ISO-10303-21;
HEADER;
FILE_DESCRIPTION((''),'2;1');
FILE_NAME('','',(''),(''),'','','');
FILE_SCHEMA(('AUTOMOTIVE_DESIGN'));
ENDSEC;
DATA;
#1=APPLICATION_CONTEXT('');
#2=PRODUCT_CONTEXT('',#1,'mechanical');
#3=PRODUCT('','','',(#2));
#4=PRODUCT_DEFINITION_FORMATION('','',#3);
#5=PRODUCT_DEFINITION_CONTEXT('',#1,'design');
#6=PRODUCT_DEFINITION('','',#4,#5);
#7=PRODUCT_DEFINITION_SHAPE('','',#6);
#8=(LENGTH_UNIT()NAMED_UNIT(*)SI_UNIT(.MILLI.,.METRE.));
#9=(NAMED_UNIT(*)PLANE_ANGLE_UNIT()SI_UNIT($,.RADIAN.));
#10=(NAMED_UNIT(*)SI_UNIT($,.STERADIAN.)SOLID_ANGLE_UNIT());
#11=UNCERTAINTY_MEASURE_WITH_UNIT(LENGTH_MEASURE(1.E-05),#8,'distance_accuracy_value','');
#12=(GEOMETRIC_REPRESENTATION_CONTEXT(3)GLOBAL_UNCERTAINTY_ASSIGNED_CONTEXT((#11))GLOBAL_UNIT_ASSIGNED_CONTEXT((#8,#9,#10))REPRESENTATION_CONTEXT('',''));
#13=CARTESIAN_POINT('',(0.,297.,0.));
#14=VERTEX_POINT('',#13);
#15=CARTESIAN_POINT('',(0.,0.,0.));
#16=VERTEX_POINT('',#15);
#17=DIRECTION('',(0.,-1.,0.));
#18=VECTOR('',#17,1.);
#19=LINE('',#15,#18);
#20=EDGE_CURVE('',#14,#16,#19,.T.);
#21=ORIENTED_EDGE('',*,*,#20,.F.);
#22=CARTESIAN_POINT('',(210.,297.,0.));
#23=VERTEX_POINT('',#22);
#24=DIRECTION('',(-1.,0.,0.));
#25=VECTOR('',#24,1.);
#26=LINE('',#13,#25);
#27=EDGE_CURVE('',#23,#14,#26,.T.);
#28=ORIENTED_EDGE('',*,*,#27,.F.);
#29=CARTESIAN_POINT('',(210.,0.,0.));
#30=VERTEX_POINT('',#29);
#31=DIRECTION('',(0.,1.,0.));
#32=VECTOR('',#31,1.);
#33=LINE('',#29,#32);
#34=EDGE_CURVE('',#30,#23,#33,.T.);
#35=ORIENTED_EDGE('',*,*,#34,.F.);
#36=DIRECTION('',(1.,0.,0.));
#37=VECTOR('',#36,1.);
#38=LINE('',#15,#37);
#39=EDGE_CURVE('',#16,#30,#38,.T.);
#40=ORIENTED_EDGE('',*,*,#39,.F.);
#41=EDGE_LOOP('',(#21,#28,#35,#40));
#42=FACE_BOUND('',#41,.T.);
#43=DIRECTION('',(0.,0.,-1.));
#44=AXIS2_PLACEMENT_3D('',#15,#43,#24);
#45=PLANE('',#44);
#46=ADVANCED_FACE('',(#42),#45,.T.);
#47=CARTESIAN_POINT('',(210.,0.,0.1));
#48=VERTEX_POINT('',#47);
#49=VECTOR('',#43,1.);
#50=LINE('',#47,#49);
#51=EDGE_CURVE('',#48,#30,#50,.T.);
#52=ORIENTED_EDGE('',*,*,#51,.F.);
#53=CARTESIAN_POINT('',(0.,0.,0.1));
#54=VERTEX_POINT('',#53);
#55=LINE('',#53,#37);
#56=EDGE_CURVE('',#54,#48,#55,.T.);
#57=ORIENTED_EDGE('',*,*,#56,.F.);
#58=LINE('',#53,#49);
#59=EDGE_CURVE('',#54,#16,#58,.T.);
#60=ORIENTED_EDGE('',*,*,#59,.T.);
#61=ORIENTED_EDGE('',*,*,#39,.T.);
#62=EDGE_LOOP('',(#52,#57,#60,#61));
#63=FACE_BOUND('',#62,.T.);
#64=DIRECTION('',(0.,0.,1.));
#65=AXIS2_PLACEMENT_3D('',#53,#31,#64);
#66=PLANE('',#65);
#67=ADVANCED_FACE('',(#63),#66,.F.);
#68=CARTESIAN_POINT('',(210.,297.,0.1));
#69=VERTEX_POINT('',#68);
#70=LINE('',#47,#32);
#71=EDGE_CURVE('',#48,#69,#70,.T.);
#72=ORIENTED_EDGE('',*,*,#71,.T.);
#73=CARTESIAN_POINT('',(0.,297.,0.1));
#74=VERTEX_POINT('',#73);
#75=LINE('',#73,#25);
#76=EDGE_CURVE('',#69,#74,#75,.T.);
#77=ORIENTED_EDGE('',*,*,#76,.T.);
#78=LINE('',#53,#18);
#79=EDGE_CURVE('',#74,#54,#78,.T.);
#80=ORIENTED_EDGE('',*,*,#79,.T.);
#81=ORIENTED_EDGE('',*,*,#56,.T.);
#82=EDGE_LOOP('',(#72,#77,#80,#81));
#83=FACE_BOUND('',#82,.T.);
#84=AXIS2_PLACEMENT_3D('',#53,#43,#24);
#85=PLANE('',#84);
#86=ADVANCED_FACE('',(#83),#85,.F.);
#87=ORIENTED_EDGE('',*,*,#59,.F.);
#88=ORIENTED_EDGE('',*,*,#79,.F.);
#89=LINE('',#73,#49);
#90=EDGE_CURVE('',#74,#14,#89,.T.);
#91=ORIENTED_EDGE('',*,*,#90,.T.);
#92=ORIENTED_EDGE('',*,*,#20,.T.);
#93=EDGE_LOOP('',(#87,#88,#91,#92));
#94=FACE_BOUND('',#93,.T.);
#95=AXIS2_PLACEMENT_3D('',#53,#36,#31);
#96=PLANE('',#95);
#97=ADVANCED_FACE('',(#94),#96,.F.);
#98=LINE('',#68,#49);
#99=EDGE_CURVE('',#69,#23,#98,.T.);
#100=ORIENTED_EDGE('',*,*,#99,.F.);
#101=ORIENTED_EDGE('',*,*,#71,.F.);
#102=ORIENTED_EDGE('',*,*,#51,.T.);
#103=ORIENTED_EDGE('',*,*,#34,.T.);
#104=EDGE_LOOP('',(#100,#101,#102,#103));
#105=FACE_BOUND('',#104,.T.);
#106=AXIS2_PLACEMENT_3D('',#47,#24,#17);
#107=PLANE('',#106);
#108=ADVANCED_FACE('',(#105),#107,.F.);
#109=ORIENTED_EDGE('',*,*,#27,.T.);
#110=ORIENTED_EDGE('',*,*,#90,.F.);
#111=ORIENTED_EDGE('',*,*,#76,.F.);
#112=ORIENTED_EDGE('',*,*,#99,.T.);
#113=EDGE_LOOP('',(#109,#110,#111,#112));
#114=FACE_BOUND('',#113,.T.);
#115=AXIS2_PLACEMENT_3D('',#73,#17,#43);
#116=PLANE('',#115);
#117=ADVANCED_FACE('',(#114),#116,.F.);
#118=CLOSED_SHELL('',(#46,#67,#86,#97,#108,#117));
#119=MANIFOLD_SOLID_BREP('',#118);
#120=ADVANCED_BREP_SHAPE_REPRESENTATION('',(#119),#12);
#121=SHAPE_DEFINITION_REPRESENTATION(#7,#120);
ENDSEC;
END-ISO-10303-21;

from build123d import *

# Parameters (mm, degrees)
SKETCH1_W           = 210
SKETCH1_H           = 297
BOSS_EXTRUDE1_DEPTH = 0.1


with BuildPart() as part:
    # Sketch1 → Boss-Extrude1 (new body)
    with BuildSketch(Plane.XY):
        with Locations((105, 148.5)):
            Rectangle(SKETCH1_W, SKETCH1_H)
    extrude(amount=BOSS_EXTRUDE1_DEPTH)


solid = part.part
